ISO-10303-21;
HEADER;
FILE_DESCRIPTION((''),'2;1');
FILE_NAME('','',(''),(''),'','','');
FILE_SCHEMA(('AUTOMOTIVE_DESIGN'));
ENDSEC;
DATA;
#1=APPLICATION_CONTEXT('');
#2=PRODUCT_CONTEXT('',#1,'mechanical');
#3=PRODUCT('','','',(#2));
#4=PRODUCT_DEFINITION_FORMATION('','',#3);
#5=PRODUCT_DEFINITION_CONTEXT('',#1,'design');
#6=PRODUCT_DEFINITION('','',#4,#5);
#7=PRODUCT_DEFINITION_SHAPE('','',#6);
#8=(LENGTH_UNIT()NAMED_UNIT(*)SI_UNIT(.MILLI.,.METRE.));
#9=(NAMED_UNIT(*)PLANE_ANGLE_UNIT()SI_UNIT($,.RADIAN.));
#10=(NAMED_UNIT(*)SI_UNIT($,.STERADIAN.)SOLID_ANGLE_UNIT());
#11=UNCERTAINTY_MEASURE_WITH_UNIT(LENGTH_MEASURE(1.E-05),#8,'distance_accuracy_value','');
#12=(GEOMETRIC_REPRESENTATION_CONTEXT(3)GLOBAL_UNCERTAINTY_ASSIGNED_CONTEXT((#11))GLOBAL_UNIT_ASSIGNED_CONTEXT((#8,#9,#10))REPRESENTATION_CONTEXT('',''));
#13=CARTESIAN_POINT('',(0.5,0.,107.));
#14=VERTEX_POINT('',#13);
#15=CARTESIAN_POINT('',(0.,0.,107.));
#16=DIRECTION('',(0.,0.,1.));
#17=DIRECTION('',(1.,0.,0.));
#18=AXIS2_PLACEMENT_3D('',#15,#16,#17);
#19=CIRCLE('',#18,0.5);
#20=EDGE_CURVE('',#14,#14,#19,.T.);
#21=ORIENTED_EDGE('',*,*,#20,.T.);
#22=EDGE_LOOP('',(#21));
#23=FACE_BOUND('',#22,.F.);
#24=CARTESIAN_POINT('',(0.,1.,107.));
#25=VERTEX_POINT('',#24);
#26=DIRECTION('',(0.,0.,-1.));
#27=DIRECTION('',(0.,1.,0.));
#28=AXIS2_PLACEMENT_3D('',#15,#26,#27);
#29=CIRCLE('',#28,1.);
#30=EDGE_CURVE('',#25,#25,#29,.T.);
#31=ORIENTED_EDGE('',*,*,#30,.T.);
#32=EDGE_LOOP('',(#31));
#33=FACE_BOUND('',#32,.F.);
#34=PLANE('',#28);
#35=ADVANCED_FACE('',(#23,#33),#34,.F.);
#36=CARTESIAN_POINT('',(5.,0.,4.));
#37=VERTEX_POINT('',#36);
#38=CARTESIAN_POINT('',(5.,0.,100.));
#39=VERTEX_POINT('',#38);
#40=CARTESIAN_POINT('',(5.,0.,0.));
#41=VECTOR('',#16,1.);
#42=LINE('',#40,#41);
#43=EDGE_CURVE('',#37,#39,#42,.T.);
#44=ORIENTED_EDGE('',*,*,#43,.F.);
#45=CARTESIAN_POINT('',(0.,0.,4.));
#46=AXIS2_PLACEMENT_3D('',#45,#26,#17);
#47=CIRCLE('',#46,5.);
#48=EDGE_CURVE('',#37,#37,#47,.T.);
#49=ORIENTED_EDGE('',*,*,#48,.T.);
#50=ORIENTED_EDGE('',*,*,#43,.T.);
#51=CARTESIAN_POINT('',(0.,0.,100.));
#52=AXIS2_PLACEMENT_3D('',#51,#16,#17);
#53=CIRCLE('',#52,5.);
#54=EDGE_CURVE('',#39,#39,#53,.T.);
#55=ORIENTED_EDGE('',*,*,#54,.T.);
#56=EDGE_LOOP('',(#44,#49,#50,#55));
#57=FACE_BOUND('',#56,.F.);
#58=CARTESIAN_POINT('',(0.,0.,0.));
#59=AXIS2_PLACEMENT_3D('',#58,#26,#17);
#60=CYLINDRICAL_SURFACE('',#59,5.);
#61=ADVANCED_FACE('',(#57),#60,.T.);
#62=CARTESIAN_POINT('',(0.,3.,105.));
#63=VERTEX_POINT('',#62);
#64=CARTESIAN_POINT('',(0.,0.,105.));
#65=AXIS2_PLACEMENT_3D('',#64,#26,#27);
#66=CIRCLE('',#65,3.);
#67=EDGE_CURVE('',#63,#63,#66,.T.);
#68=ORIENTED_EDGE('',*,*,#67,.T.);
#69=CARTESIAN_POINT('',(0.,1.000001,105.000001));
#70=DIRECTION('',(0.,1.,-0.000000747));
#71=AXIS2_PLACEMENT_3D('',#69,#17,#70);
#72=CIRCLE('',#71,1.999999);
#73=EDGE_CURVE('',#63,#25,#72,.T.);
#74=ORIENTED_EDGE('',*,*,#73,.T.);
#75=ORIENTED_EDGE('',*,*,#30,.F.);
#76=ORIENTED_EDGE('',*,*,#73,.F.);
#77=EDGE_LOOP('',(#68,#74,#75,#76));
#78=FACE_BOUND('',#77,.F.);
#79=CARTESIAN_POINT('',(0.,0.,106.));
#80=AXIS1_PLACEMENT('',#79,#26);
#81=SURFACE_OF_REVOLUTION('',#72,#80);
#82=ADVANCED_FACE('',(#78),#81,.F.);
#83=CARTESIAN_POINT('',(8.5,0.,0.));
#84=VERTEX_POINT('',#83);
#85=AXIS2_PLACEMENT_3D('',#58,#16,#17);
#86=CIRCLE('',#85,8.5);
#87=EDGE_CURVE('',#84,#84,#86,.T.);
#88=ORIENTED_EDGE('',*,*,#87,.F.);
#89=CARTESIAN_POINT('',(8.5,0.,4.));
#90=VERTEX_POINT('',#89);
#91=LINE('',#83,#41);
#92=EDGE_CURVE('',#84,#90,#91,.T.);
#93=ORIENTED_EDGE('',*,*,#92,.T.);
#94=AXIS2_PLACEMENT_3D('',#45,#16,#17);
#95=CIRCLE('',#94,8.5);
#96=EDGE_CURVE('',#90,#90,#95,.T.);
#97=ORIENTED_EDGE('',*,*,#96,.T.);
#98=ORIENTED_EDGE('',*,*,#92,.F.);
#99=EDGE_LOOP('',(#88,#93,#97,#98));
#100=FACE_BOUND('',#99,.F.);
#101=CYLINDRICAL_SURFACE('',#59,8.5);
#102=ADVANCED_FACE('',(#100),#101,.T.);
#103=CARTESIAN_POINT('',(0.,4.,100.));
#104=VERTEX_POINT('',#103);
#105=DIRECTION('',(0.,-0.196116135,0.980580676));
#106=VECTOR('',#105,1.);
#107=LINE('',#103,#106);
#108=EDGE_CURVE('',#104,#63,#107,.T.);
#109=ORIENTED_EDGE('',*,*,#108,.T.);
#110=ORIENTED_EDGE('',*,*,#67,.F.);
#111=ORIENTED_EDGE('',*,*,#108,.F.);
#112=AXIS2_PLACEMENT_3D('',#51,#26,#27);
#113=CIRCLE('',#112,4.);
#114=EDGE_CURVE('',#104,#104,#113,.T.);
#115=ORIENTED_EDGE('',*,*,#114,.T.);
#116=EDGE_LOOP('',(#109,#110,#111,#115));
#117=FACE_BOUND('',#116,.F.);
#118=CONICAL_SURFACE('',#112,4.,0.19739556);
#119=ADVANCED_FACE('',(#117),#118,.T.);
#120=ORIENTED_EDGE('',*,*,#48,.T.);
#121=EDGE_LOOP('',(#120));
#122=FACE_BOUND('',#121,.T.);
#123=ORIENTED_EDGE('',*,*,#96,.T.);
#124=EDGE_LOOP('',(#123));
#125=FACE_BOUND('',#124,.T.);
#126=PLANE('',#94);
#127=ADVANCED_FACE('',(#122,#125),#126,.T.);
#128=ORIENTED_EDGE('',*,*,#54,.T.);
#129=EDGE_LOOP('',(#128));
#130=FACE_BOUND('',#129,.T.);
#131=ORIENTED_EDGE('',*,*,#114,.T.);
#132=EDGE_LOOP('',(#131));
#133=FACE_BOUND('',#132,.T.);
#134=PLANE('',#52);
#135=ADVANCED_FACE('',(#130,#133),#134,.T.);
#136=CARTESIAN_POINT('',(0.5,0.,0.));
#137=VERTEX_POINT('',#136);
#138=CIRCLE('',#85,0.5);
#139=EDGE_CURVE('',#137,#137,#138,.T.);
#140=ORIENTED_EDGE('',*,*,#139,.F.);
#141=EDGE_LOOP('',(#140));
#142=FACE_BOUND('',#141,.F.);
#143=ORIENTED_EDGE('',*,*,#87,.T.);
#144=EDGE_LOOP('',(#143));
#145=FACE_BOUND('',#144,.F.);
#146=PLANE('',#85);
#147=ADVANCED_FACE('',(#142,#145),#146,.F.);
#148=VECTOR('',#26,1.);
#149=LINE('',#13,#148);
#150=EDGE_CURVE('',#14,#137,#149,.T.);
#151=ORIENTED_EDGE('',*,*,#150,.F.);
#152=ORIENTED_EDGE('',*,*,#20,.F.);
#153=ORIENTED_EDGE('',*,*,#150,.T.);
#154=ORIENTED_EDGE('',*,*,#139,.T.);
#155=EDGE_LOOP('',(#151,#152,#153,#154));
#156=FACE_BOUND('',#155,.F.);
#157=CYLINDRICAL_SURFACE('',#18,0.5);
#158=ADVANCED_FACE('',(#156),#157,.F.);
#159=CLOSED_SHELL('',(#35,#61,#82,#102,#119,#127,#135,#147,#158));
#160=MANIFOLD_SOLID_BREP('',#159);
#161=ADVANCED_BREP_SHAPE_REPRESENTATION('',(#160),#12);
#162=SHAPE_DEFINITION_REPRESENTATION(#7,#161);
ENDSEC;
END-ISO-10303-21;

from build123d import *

# Parameters (mm, degrees)
F0_R     = 8.5
F1_DEPTH = 4
F2_R     = 5
F3_DEPTH = 100
F8_R     = 0.5
F9_DEPTH = 112.7


with BuildPart() as f1:
    # F0 (on Top) → F1 (new body)
    with BuildSketch(Plane.XY):
        Circle(F0_R)
    extrude(amount=F1_DEPTH)

    # F2 (on Top) → F3 (join)
    with BuildSketch(Plane.XY):
        Circle(F2_R)
    extrude(amount=F3_DEPTH)

    # F4 (on Right) → F5 (revolve)
    with BuildSketch(Plane.YZ):
        Polygon((3, 105), (0, 105), (0, 100), (4, 100), align=None)
    revolve(axis=Axis((0, 0, 102.5), (0, 0, -1)))

    # F6 (on Right) → F7 (revolve)
    with BuildSketch(Plane.YZ):
        with BuildLine():
            Line((1, 107), (0, 107))
            Line((0, 107), (0, 105))
            Line((0, 105), (3, 105))
            ThreePointArc((3, 105), (2.414214, 106.414214), (1, 107))
        make_face()
    revolve(axis=Axis((0, 0, 106), (0, 0, -1)))

    # F8 (on face) → F9 (cut)
    with BuildSketch(Plane.XY.offset(107)):
        Circle(F8_R)
    extrude(amount=-F9_DEPTH, mode=Mode.SUBTRACT)


solid = f1.part
